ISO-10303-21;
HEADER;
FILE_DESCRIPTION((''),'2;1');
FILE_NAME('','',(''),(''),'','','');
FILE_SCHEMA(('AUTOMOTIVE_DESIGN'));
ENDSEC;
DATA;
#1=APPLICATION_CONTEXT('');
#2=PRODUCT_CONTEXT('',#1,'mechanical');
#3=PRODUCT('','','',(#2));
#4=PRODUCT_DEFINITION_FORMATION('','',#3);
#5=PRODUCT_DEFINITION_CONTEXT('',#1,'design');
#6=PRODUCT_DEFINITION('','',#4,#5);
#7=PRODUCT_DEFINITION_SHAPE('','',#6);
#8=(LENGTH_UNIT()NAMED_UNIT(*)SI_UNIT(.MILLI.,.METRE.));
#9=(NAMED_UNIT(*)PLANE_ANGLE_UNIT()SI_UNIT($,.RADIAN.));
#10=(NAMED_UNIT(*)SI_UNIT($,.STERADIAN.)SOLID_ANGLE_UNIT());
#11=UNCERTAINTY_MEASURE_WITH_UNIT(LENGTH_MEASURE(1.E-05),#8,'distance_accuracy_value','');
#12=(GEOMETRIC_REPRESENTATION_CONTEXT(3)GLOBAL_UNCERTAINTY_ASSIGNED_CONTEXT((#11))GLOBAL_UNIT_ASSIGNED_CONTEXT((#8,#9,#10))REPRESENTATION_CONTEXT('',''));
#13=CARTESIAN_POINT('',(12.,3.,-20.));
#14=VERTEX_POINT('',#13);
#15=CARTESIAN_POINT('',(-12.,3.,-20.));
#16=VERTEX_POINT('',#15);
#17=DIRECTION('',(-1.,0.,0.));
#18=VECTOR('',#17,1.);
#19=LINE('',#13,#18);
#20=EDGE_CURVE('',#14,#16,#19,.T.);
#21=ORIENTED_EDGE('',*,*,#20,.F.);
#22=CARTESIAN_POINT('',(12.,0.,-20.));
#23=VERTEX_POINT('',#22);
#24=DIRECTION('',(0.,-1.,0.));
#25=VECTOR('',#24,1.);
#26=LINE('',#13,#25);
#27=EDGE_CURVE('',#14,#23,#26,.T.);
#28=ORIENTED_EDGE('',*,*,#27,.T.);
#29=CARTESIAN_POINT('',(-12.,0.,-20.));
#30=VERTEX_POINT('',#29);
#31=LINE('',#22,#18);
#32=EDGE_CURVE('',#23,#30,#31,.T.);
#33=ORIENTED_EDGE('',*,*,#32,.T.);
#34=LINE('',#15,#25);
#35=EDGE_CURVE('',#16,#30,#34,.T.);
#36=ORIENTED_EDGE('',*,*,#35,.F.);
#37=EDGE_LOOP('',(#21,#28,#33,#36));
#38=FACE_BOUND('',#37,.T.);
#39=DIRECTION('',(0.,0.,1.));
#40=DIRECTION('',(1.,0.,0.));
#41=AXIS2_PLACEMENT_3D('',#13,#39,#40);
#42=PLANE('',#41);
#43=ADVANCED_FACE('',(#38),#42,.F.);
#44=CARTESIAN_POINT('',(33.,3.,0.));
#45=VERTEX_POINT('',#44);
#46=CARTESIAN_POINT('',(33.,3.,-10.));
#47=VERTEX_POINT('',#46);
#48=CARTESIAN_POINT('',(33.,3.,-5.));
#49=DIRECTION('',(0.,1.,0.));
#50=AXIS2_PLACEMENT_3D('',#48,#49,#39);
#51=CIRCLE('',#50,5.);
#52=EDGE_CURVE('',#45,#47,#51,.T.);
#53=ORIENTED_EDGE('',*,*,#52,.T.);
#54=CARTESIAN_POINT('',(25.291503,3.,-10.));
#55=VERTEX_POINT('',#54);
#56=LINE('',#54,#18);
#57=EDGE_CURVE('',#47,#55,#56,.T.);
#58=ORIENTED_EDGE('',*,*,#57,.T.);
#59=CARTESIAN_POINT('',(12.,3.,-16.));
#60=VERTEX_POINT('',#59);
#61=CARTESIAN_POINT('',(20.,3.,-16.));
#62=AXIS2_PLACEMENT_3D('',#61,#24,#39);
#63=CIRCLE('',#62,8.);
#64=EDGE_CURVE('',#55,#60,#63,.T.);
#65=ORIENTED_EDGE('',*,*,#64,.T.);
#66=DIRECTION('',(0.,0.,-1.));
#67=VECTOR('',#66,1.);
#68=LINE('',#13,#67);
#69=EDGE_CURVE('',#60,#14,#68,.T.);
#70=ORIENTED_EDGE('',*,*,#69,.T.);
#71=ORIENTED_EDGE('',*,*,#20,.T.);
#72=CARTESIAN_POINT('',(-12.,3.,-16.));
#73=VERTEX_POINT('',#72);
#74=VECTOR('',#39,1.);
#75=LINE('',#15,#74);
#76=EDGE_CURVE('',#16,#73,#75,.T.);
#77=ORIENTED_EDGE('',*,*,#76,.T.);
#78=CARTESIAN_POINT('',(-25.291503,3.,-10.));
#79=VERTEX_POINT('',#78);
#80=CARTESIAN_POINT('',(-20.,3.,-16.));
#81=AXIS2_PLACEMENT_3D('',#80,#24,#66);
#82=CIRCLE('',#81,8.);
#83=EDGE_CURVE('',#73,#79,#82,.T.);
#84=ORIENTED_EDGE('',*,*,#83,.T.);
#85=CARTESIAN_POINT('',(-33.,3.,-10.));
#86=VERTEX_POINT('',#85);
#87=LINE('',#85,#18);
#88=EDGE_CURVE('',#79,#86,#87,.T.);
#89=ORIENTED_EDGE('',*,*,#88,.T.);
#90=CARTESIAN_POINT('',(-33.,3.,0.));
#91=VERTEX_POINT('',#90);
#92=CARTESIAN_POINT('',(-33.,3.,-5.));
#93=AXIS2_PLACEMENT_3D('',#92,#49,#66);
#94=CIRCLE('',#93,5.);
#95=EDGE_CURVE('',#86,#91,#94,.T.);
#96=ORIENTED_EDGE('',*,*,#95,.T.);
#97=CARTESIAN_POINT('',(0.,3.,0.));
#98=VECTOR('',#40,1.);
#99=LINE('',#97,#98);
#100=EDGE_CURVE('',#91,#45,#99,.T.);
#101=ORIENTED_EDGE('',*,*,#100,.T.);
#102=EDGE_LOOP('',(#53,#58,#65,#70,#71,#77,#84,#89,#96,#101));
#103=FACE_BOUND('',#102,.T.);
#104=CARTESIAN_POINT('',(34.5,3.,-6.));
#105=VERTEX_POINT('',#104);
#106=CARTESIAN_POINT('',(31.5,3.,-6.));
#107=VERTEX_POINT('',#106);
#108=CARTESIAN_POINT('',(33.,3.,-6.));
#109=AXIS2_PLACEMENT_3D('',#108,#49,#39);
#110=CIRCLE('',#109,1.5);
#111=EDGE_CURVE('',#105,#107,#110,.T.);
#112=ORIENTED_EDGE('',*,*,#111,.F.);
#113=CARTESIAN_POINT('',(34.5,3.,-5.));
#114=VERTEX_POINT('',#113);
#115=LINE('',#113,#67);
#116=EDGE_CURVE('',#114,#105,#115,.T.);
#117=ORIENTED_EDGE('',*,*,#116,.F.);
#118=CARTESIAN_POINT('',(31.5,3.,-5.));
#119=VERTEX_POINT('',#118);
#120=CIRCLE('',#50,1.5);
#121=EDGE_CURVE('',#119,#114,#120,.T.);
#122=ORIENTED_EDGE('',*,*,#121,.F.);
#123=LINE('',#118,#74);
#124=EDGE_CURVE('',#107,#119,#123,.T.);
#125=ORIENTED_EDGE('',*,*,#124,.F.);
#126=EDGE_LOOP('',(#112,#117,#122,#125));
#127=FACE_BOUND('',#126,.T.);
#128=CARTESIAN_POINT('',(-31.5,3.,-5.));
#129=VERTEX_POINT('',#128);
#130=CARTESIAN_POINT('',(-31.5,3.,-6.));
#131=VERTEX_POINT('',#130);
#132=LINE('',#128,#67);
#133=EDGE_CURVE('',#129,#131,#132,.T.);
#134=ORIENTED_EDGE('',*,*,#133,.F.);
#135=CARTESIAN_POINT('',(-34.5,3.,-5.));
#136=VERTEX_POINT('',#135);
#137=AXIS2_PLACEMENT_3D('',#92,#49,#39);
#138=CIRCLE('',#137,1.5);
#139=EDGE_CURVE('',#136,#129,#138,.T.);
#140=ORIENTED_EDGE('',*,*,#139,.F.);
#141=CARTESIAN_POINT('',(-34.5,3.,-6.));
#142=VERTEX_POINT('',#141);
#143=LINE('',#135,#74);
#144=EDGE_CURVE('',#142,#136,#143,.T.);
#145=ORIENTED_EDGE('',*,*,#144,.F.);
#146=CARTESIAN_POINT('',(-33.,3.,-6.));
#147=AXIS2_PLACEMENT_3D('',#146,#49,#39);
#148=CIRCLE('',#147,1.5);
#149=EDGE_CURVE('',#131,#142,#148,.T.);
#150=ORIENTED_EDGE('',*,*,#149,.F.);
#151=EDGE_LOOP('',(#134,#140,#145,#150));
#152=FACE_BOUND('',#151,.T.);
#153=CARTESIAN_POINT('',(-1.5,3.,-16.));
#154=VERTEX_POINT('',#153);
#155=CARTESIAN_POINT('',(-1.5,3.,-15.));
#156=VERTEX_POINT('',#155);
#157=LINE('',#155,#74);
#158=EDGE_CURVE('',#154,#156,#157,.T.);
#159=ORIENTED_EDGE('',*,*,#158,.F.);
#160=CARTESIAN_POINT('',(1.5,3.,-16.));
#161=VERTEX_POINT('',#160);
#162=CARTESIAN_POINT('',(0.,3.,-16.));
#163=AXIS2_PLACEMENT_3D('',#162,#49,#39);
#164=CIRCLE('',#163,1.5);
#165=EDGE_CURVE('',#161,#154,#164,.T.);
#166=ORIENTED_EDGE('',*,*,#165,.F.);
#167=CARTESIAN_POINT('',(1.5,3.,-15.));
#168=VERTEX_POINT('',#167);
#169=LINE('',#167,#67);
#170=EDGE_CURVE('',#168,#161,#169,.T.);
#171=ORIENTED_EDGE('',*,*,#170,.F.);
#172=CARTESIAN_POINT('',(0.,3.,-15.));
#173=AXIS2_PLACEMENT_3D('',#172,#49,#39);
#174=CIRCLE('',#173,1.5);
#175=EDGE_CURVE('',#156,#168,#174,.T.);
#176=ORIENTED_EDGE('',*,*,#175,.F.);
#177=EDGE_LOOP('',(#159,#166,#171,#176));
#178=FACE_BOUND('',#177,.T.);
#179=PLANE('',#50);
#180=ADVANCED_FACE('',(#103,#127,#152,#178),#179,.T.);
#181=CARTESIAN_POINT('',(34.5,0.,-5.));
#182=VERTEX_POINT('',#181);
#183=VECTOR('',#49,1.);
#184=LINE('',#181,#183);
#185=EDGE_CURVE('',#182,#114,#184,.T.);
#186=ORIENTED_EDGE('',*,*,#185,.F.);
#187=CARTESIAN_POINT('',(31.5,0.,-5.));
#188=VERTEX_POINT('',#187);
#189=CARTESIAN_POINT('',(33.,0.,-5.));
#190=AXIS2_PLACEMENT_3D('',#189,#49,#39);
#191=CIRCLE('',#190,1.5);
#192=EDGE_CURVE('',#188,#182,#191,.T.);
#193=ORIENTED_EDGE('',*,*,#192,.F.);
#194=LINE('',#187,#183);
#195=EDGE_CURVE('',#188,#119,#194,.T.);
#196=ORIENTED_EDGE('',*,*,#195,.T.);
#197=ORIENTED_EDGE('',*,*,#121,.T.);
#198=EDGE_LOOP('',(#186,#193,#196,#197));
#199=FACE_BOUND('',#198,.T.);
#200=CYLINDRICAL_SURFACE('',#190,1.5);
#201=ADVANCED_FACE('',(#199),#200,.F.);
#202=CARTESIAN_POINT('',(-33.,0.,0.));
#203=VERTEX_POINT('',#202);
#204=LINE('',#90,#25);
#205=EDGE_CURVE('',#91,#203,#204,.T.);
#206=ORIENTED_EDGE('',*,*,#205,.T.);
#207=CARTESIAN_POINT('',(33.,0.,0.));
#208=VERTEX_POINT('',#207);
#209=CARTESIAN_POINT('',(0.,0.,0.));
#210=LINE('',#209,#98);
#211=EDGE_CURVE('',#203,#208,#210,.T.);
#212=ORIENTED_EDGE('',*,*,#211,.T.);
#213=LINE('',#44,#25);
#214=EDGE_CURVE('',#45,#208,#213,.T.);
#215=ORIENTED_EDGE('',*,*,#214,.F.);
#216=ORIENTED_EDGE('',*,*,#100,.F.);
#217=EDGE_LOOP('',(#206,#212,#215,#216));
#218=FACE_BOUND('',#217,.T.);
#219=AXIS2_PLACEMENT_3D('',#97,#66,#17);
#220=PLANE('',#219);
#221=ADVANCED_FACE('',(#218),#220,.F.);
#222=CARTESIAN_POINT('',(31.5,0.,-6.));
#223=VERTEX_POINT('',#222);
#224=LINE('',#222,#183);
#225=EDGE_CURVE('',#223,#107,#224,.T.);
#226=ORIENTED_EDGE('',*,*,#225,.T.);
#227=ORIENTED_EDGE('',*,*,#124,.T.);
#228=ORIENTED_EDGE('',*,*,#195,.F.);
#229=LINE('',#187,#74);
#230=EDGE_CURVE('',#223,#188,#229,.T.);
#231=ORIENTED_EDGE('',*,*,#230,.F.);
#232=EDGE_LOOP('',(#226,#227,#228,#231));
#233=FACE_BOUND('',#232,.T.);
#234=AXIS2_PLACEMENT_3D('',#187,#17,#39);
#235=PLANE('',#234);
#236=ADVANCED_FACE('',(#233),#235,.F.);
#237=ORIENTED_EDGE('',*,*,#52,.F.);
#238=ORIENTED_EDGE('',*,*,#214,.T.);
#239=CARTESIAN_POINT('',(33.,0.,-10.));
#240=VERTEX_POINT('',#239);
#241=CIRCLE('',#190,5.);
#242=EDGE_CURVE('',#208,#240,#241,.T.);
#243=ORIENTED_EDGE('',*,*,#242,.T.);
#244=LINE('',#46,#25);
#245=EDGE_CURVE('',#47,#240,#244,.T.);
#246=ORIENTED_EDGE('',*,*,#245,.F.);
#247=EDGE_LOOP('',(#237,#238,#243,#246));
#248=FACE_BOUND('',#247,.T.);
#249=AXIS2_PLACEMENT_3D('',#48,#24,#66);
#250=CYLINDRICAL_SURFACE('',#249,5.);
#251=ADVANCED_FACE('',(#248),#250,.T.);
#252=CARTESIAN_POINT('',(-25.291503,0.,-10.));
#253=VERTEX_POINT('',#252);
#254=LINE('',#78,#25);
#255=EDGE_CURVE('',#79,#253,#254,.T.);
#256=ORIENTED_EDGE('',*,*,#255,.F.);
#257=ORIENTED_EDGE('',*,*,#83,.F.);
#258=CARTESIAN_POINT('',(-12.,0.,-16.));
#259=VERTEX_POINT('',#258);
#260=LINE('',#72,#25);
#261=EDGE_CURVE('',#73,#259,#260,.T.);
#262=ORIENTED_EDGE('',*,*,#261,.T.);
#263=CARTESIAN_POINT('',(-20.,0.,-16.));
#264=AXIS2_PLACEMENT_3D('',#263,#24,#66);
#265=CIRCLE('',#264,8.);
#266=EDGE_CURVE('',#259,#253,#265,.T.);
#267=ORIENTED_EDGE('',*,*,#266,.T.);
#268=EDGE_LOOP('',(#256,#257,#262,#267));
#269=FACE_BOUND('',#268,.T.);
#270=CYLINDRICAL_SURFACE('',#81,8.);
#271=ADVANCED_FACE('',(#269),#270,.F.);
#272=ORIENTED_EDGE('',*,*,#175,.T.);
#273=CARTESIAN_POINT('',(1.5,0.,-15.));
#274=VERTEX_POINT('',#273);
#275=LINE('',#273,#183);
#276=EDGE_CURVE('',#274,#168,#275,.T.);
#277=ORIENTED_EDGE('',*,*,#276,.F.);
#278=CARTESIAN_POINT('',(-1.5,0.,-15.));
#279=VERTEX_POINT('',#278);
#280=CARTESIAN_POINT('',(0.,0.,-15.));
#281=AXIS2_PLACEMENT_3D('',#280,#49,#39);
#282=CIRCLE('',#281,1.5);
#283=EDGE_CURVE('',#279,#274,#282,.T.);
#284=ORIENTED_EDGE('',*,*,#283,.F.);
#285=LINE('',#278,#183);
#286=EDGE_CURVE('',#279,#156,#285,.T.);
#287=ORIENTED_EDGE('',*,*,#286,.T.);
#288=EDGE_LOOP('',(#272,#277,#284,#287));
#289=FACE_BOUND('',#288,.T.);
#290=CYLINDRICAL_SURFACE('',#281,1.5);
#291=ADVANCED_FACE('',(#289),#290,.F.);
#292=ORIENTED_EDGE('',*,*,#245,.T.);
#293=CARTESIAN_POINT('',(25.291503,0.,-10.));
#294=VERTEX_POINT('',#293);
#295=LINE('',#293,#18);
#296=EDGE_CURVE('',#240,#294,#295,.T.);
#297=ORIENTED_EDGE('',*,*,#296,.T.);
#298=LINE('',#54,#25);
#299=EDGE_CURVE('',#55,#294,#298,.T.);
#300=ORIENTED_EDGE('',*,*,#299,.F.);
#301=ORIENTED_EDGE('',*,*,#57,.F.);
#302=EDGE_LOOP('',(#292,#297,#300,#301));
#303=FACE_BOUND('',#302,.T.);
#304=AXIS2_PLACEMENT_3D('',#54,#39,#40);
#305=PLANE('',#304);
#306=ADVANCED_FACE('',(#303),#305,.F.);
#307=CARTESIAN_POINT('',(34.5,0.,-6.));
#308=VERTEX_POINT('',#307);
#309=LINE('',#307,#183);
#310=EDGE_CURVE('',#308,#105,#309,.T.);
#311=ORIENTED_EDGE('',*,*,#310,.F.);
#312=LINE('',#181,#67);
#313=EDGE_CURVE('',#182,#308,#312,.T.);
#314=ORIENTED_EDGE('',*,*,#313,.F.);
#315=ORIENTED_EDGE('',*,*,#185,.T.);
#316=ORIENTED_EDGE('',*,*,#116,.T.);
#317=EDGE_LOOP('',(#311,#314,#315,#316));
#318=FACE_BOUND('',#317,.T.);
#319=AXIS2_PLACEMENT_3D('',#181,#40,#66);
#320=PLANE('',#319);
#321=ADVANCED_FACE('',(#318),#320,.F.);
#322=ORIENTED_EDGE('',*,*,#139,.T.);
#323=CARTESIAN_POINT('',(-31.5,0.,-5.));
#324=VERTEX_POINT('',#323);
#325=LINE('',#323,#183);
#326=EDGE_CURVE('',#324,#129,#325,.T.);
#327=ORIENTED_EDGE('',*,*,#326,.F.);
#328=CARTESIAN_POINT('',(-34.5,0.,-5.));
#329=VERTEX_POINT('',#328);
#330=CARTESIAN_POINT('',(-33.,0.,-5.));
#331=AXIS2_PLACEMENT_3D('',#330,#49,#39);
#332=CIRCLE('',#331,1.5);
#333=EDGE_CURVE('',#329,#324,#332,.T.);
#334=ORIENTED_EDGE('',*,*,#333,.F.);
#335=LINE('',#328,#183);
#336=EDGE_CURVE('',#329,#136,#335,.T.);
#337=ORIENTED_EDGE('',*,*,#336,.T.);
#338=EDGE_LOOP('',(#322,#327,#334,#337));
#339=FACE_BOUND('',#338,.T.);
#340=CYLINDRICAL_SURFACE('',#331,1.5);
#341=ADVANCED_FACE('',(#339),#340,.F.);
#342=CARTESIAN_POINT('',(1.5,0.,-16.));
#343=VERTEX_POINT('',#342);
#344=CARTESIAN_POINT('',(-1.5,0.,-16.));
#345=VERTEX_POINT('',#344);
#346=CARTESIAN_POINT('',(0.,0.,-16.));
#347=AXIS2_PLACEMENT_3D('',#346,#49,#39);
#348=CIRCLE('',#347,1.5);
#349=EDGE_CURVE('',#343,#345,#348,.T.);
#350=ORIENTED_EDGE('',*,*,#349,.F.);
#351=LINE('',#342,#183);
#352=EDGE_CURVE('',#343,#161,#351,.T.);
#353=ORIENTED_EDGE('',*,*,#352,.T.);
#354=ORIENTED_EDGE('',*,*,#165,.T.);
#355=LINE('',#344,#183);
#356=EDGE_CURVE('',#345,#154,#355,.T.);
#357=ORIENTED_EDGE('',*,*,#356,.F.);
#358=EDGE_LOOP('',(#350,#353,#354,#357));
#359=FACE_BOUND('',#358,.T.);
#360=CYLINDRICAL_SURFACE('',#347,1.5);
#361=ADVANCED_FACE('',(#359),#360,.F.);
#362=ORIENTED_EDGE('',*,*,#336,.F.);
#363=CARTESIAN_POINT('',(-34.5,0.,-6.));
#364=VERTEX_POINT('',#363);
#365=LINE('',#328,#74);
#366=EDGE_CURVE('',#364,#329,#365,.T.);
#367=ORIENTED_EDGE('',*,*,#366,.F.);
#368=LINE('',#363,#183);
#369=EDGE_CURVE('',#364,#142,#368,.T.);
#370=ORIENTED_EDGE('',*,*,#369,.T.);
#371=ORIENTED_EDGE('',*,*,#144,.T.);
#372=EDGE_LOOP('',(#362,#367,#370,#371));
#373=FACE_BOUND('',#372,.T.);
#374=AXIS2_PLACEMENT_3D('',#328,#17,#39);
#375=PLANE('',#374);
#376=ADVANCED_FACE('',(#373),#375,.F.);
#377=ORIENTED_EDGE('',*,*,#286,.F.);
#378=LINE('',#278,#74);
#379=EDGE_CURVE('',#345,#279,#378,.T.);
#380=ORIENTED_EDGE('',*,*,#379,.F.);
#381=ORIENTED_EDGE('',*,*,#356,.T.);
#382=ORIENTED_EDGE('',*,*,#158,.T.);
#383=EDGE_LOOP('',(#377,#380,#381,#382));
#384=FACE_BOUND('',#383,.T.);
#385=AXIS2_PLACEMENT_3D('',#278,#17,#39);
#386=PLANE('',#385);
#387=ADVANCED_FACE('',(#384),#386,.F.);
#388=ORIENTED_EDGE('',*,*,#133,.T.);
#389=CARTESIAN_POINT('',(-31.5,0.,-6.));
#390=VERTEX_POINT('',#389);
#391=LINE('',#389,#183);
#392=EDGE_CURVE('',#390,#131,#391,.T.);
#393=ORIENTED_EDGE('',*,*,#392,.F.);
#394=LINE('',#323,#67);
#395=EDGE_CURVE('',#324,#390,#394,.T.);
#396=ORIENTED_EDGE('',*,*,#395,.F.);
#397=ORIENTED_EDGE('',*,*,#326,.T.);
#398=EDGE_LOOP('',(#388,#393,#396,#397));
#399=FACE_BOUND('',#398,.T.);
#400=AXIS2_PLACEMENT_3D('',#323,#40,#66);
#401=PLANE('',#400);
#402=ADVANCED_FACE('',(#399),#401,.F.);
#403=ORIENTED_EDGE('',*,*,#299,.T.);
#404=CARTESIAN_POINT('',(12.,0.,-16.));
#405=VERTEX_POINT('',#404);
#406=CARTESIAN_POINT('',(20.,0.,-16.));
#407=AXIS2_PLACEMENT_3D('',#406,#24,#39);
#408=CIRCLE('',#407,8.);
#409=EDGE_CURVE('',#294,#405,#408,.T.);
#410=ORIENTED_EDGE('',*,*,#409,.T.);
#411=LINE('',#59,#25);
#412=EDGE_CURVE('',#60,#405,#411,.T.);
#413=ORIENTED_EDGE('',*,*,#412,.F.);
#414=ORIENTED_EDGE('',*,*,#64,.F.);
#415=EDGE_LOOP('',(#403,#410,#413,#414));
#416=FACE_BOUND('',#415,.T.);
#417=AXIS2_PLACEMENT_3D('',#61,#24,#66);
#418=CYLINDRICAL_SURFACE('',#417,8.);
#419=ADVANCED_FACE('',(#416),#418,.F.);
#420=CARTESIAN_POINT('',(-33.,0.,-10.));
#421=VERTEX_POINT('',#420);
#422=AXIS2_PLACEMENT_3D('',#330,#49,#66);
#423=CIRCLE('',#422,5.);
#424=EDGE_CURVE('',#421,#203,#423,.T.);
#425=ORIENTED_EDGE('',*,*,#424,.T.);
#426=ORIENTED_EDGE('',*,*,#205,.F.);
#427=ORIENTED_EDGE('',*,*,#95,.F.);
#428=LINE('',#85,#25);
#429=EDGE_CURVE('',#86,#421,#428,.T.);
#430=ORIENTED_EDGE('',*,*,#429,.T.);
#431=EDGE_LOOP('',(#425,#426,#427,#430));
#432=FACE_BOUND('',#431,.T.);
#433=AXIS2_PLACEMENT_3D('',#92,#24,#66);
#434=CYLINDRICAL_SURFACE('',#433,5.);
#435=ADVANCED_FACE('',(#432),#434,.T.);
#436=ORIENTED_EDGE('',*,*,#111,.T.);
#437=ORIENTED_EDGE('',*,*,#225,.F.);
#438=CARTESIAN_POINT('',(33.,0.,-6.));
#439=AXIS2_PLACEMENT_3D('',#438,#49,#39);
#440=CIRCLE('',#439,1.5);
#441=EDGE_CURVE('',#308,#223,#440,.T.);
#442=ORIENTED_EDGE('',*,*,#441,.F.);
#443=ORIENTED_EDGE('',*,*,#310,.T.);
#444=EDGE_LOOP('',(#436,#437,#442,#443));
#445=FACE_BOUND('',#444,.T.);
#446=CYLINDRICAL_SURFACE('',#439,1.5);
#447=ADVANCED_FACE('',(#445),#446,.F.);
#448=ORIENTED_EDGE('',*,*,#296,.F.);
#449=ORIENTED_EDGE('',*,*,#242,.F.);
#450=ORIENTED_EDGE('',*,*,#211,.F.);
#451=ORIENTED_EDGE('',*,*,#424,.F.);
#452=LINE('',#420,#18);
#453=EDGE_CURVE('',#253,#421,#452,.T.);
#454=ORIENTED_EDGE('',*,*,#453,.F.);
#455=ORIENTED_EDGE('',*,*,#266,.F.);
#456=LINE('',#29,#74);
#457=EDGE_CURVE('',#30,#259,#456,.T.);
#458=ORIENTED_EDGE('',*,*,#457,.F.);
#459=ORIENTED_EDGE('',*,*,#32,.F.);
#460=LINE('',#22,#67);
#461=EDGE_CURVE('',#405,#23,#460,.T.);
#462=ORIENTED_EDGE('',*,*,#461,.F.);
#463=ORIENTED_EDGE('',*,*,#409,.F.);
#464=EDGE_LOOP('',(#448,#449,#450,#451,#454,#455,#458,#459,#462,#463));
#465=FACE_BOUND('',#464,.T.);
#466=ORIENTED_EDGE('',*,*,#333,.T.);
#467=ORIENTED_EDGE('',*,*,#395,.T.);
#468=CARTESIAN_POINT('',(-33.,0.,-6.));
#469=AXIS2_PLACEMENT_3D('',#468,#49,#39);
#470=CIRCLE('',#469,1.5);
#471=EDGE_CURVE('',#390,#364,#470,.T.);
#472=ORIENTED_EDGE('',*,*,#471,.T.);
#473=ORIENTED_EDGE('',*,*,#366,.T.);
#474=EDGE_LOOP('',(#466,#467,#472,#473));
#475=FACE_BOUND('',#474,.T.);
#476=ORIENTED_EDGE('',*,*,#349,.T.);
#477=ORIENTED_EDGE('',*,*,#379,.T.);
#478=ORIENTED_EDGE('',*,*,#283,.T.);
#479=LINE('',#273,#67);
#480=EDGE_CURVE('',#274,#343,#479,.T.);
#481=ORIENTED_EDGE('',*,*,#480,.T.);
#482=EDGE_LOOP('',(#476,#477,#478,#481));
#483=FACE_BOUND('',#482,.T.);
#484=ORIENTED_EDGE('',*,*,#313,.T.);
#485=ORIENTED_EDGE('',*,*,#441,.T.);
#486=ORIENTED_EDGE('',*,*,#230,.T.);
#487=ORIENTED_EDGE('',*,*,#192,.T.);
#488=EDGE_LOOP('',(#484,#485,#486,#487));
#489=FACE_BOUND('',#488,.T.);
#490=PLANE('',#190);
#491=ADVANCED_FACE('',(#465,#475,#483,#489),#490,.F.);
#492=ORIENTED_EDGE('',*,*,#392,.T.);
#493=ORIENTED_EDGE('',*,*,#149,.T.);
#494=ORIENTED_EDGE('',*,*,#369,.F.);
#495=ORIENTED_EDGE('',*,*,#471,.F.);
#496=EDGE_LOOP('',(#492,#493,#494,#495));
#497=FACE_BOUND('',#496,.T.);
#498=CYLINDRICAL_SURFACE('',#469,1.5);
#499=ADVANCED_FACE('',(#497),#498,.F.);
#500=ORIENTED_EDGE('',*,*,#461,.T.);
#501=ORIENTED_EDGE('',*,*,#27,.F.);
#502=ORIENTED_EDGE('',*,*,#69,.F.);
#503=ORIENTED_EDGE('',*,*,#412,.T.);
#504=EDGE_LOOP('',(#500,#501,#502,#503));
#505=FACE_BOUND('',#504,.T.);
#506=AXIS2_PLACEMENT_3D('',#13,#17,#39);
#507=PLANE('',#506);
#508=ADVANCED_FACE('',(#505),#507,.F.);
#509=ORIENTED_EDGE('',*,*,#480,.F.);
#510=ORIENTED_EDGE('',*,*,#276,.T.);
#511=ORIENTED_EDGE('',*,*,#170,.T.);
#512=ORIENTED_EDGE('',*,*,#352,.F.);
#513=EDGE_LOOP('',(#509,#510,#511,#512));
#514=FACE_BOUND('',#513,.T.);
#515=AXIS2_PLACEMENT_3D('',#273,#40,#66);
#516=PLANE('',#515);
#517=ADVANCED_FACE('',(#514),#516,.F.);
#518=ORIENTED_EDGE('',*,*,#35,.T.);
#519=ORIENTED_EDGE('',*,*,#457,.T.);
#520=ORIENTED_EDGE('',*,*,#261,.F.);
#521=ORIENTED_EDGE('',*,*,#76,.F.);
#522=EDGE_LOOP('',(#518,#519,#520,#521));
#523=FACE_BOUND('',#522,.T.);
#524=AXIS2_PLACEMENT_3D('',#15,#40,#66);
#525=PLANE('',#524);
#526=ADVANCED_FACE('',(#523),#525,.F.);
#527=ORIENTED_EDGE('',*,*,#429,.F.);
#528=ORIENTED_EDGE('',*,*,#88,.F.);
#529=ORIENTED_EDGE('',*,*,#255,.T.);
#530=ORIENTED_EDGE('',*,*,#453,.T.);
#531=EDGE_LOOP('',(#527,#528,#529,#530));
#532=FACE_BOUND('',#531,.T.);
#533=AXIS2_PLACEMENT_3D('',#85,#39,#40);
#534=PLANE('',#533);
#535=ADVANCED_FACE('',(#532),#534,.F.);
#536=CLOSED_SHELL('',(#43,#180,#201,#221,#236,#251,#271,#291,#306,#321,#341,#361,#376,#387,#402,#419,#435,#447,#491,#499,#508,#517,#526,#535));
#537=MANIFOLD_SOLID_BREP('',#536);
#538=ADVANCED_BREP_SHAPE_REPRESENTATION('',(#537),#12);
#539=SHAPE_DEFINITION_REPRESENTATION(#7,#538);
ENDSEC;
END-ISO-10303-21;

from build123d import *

# Parameters (mm, degrees)
BOSS_EXTRUDE1_DEPTH = 3
CUT_EXTRUDE1_DEPTH  = 44.0464865


with BuildPart() as part:
    # Sketch1 → Boss-Extrude1 (new body)
    with BuildSketch(Plane(origin=(0, 0, 0), x_dir=(1, 0, 0), z_dir=(0, 1, 0))):
        with BuildLine():
            Line((0, 0), (-33, 0))
            ThreePointArc((-33, 0), (-38, 5), (-33, 10))
            Line((-33, 10), (-25.291502622, 10))
            ThreePointArc((-25.291502622, 10), (-16.708497378, 8.708497378), (-12, 16))
            Line((-12, 16), (-12, 20))
            Line((-12, 20), (12, 20))
            Line((12, 20), (12, 16))
            ThreePointArc((12, 16), (16.708497378, 8.708497378), (25.291502622, 10))
            Line((25.291502622, 10), (33, 10))
            ThreePointArc((33, 10), (38, 5), (33, 0))
            Line((33, 0), (0, 0))
        make_face()
    extrude(amount=BOSS_EXTRUDE1_DEPTH)

    # Sketch2 → Cut-Extrude1 (cut, through all)
    with BuildSketch(Plane(origin=(0, 3, 0), x_dir=(1, 0, 0), z_dir=(0, 1, 0))):
        with BuildLine():
            Line((-34.5, 5), (-34.5, 6))
            ThreePointArc((-34.5, 6), (-33, 7.5), (-31.5, 6))
            Line((-31.5, 6), (-31.5, 5))
            ThreePointArc((-31.5, 5), (-33, 3.5), (-34.5, 5))
        make_face()
        with BuildLine():
            Line((31.5, 5), (31.5, 6))
            ThreePointArc((31.5, 6), (33, 7.5), (34.5, 6))
            Line((34.5, 6), (34.5, 5))
            ThreePointArc((34.5, 5), (33, 3.5), (31.5, 5))
        make_face()
        with BuildLine():
            Line((-1.5, 15), (-1.5, 16))
            ThreePointArc((-1.5, 16), (0, 17.5), (1.5, 16))
            Line((1.5, 16), (1.5, 15))
            ThreePointArc((1.5, 15), (0, 13.5), (-1.5, 15))
        make_face()
    extrude(amount=-CUT_EXTRUDE1_DEPTH, mode=Mode.SUBTRACT)


solid = part.part
